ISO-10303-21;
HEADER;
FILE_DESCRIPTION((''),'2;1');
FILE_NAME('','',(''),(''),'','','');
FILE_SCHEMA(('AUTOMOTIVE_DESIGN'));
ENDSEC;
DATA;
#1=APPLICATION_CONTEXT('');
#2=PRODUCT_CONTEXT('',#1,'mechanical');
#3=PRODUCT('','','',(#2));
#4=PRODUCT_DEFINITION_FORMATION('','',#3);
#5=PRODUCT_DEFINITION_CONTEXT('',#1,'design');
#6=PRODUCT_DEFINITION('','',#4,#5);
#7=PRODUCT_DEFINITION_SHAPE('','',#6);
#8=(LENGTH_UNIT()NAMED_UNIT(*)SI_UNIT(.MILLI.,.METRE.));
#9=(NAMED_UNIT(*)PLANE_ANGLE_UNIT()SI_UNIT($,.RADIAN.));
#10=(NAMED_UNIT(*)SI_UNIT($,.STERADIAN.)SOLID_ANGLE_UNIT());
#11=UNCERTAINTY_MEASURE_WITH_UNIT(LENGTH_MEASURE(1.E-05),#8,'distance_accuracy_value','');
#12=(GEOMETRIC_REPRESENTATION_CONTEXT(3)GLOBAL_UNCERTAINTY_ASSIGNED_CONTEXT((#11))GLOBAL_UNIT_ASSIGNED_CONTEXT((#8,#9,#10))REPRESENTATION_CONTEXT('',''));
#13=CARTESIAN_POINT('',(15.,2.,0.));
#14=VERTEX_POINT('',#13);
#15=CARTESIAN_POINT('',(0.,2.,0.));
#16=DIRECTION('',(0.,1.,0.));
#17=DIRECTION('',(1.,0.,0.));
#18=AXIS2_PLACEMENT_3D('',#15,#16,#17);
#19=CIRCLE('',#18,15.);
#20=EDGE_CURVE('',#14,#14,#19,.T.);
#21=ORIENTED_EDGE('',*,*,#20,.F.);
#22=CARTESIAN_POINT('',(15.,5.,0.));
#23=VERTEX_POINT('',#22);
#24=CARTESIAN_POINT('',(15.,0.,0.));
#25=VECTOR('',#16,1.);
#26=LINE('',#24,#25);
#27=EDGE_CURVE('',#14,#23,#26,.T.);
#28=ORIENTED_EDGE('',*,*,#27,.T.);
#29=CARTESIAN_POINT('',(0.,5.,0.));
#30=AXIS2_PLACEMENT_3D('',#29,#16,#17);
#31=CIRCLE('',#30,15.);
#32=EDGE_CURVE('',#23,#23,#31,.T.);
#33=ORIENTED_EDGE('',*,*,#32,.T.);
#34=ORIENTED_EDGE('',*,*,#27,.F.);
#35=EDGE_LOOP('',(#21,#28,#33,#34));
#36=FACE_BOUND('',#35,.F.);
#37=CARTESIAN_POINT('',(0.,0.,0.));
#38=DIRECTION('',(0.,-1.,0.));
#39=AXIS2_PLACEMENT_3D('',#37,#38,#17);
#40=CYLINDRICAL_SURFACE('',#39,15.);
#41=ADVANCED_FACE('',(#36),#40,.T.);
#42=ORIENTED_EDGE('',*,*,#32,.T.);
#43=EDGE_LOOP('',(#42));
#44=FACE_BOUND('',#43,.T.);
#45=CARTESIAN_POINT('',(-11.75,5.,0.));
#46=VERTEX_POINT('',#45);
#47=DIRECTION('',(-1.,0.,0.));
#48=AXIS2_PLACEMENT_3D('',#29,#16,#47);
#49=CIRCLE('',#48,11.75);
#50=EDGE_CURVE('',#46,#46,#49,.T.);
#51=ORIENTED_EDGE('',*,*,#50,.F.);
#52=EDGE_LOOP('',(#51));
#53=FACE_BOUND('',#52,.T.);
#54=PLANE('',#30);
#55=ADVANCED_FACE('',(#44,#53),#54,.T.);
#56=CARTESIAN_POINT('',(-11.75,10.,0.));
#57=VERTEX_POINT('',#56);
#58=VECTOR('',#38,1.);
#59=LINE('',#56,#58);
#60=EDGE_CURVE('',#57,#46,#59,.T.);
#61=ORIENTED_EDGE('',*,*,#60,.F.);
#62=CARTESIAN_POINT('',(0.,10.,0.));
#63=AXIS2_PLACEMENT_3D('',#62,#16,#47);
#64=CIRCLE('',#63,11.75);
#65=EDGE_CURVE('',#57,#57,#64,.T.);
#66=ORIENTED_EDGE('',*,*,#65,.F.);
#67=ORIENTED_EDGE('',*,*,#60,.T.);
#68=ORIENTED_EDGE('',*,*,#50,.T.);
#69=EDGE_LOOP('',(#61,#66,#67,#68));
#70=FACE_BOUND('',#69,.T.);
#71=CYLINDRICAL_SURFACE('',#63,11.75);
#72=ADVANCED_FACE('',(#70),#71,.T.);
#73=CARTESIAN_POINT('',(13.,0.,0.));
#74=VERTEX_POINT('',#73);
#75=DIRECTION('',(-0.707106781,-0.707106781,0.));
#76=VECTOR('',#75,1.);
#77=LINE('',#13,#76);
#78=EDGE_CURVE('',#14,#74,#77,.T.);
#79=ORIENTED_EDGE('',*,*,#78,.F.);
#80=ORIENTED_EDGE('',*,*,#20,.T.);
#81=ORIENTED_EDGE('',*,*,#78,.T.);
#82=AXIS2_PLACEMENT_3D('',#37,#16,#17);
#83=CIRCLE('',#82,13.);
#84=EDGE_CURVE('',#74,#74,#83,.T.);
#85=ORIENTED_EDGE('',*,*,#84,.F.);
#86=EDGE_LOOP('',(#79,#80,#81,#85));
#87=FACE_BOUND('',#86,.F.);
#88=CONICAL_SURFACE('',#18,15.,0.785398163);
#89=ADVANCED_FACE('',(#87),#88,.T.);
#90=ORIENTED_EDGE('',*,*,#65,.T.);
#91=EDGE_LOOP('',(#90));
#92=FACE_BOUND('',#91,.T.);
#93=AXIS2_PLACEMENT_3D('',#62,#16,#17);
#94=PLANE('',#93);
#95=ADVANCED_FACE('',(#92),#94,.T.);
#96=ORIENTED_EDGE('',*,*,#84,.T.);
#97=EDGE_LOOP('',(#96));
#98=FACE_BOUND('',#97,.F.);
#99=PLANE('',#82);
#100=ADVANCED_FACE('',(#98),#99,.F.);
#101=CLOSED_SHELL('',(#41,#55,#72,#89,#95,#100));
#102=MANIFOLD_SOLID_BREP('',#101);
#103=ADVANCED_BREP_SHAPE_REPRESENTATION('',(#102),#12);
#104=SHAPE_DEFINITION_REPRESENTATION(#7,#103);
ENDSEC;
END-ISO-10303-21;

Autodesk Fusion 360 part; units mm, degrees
sketch "Skizze1" plane through (0, 0, 0) normal (0, 1, 0) x (1, 0, 0)
  circle A0 centre (0, 0) radius 12
  circle A1 centre (0, 0) radius 15
  dimension "d1" = 24
  dimension "d2" = 30
extrude "Extrusion1" add sketch "Skizze1" along normal blind 5
extrude "Extrusion2" add sketch "Skizze1" along normal blind 10 contours A0
chamfer "Fase1" distance 2 angle 45 1 edges at (-13.9849, 0, 5.4242)
sketch "Skizze2" plane through (0, 10, 0) normal (0, 1, 0) x (-1, 0, 0)
  circle A0 centre (0, 0) radius 12
  circle A1 centre (0, 0) radius 12
  circle A2 centre (0, 0) radius 11.75
  dimension "d8" = 23.5
extrude "Extrusion3" cut sketch "Skizze2" against normal blind 5
